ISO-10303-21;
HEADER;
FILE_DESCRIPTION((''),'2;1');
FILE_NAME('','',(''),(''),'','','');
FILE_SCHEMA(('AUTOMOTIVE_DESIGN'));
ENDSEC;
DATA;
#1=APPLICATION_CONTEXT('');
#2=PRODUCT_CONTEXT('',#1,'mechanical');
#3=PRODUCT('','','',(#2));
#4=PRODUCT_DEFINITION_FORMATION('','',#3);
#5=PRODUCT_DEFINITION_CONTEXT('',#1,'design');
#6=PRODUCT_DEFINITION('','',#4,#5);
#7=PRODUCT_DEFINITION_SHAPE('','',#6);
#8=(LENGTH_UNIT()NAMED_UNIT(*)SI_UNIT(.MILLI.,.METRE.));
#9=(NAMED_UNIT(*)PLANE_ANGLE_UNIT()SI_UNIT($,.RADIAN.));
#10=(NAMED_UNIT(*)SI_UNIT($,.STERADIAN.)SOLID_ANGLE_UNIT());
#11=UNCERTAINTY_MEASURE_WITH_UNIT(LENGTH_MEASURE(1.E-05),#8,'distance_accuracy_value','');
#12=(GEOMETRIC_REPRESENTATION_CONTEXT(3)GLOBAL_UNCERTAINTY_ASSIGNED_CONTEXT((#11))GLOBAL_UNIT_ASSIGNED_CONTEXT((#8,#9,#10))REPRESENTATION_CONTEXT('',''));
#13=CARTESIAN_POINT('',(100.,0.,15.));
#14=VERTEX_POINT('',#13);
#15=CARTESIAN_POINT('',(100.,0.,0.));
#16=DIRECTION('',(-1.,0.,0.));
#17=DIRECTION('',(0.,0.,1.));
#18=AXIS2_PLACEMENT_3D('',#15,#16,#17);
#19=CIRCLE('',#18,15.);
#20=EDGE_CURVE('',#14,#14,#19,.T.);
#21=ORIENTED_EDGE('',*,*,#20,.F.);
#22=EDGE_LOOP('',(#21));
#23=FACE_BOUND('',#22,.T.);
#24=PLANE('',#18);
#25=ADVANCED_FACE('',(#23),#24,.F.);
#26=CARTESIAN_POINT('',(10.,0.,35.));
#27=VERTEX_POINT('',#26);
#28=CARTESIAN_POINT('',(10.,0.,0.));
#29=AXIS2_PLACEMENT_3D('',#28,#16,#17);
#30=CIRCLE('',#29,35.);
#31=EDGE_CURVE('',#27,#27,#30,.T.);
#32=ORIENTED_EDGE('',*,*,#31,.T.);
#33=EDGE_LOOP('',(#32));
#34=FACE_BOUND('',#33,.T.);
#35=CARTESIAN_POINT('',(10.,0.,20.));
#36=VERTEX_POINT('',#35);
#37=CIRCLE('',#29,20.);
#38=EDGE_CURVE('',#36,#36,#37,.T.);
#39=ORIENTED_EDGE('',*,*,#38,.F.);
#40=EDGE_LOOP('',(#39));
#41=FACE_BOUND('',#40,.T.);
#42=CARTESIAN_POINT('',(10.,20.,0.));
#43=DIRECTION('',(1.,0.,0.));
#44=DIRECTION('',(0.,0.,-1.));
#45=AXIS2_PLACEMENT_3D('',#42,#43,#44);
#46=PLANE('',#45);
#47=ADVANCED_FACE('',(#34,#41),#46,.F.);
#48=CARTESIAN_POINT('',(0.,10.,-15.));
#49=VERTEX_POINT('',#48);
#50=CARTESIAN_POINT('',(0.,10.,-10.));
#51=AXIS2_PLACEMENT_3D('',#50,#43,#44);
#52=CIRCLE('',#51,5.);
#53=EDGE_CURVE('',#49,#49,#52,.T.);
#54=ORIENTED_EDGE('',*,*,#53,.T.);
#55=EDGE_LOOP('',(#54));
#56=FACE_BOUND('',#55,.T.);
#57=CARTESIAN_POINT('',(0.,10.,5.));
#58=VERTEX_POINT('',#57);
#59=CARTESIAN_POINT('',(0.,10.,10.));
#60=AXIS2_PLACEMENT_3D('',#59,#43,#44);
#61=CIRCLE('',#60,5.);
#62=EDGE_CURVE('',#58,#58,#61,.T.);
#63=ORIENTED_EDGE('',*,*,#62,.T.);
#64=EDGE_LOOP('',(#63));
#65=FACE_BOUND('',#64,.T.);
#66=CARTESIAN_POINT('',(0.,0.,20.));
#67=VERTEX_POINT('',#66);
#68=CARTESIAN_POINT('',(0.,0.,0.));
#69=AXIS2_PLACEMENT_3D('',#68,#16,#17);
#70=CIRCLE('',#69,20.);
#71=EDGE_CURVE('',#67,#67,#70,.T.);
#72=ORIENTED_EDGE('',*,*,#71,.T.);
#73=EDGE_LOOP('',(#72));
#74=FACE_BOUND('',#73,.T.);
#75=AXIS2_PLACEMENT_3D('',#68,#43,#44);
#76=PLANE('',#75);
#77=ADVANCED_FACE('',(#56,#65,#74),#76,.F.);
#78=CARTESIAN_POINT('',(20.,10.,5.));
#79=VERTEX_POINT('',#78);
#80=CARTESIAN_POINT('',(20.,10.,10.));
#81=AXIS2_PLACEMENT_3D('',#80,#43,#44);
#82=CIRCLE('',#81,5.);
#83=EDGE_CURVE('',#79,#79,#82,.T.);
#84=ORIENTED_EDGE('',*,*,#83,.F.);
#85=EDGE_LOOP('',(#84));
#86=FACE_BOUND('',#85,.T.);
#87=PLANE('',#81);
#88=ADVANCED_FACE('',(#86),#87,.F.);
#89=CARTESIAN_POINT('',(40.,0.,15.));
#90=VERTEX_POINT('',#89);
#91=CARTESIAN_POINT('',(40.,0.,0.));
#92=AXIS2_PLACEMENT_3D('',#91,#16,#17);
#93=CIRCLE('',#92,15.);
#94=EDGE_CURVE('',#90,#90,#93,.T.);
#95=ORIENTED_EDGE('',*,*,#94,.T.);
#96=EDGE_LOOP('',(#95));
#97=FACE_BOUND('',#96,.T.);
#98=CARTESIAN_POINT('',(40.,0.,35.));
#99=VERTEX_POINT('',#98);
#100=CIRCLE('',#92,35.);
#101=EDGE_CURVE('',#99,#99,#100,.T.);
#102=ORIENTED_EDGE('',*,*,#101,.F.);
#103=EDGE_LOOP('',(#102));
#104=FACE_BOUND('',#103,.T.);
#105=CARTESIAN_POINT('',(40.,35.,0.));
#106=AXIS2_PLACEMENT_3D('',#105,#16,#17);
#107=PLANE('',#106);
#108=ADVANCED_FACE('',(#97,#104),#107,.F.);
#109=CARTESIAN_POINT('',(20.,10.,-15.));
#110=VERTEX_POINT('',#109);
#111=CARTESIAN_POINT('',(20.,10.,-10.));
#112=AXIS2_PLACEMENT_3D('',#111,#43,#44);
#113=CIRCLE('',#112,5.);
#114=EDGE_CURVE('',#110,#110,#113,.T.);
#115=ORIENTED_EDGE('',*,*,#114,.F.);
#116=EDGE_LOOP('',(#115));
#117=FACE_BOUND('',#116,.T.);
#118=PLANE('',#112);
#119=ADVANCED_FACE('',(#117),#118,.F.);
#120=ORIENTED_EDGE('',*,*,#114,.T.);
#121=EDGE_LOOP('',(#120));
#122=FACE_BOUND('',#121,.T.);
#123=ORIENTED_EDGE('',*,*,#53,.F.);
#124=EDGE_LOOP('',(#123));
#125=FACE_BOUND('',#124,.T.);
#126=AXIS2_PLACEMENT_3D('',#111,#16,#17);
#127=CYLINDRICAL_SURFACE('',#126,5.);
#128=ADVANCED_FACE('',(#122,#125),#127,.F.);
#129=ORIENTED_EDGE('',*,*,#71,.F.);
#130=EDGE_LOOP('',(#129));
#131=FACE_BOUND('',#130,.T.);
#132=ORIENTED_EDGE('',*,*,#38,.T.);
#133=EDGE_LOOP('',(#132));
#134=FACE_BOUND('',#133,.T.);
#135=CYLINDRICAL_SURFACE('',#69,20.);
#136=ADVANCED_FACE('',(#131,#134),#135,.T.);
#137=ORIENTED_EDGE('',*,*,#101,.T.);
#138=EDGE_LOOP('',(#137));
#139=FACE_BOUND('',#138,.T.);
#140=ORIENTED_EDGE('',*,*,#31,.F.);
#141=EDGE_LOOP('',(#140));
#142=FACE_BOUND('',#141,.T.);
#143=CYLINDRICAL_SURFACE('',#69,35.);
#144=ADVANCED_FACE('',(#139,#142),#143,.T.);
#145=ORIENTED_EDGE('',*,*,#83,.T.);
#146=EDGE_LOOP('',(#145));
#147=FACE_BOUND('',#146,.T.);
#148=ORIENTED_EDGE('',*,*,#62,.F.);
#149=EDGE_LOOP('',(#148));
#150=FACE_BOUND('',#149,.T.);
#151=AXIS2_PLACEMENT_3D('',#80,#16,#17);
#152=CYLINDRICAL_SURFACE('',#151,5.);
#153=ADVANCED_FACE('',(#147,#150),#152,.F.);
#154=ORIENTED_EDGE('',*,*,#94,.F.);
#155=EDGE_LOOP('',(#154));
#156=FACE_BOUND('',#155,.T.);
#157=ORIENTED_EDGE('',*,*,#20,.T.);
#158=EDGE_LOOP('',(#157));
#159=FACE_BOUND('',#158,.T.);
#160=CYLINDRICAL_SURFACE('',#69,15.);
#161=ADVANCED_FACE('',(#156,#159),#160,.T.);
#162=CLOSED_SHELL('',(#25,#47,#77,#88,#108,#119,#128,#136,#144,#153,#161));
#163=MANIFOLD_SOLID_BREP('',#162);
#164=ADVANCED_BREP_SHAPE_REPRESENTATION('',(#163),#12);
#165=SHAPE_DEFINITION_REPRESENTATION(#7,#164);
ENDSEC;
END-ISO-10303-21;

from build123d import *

# Parameters (mm, degrees)
SKETCH_2_R          = 5
CUT_EXTRUDE_1_DEPTH = 20
SKETCH_3_R          = 5
CUT_EXTRUDE_2_DEPTH = 20


with BuildPart() as part:
    # Эскиз1 → Повернуть1 (revolve)
    with BuildSketch(Plane.XY, mode=Mode.PRIVATE) as revolve_1_sk:
        Polygon((0, 0), (100, 0), (100, 15), (40, 15), (40, 35), (10, 35), (10, 20), (0, 20), align=None)
    revolve(revolve_1_sk.sketch.rotate(Axis((0, 0, 0), (1, 0, 0)), 90), axis=Axis((0, 0, 0), (1, 0, 0)))

    # Эскиз2 → Вырез-Вытянуть1 (cut)
    with BuildSketch(Plane(origin=(0, 0, 0), x_dir=(0, 0, -1), z_dir=(1, 0, 0))):
        with Locations((10, 10)):
            Circle(SKETCH_2_R)
    extrude(amount=CUT_EXTRUDE_1_DEPTH, mode=Mode.SUBTRACT)

    # Эскиз3 → Вырез-Вытянуть2 (cut)
    with BuildSketch(Plane(origin=(0, 0, 0), x_dir=(0, 0, -1), z_dir=(1, 0, 0))):
        with Locations((-10, 10)):
            Circle(SKETCH_3_R)
    extrude(amount=CUT_EXTRUDE_2_DEPTH, mode=Mode.SUBTRACT)


solid = part.part
